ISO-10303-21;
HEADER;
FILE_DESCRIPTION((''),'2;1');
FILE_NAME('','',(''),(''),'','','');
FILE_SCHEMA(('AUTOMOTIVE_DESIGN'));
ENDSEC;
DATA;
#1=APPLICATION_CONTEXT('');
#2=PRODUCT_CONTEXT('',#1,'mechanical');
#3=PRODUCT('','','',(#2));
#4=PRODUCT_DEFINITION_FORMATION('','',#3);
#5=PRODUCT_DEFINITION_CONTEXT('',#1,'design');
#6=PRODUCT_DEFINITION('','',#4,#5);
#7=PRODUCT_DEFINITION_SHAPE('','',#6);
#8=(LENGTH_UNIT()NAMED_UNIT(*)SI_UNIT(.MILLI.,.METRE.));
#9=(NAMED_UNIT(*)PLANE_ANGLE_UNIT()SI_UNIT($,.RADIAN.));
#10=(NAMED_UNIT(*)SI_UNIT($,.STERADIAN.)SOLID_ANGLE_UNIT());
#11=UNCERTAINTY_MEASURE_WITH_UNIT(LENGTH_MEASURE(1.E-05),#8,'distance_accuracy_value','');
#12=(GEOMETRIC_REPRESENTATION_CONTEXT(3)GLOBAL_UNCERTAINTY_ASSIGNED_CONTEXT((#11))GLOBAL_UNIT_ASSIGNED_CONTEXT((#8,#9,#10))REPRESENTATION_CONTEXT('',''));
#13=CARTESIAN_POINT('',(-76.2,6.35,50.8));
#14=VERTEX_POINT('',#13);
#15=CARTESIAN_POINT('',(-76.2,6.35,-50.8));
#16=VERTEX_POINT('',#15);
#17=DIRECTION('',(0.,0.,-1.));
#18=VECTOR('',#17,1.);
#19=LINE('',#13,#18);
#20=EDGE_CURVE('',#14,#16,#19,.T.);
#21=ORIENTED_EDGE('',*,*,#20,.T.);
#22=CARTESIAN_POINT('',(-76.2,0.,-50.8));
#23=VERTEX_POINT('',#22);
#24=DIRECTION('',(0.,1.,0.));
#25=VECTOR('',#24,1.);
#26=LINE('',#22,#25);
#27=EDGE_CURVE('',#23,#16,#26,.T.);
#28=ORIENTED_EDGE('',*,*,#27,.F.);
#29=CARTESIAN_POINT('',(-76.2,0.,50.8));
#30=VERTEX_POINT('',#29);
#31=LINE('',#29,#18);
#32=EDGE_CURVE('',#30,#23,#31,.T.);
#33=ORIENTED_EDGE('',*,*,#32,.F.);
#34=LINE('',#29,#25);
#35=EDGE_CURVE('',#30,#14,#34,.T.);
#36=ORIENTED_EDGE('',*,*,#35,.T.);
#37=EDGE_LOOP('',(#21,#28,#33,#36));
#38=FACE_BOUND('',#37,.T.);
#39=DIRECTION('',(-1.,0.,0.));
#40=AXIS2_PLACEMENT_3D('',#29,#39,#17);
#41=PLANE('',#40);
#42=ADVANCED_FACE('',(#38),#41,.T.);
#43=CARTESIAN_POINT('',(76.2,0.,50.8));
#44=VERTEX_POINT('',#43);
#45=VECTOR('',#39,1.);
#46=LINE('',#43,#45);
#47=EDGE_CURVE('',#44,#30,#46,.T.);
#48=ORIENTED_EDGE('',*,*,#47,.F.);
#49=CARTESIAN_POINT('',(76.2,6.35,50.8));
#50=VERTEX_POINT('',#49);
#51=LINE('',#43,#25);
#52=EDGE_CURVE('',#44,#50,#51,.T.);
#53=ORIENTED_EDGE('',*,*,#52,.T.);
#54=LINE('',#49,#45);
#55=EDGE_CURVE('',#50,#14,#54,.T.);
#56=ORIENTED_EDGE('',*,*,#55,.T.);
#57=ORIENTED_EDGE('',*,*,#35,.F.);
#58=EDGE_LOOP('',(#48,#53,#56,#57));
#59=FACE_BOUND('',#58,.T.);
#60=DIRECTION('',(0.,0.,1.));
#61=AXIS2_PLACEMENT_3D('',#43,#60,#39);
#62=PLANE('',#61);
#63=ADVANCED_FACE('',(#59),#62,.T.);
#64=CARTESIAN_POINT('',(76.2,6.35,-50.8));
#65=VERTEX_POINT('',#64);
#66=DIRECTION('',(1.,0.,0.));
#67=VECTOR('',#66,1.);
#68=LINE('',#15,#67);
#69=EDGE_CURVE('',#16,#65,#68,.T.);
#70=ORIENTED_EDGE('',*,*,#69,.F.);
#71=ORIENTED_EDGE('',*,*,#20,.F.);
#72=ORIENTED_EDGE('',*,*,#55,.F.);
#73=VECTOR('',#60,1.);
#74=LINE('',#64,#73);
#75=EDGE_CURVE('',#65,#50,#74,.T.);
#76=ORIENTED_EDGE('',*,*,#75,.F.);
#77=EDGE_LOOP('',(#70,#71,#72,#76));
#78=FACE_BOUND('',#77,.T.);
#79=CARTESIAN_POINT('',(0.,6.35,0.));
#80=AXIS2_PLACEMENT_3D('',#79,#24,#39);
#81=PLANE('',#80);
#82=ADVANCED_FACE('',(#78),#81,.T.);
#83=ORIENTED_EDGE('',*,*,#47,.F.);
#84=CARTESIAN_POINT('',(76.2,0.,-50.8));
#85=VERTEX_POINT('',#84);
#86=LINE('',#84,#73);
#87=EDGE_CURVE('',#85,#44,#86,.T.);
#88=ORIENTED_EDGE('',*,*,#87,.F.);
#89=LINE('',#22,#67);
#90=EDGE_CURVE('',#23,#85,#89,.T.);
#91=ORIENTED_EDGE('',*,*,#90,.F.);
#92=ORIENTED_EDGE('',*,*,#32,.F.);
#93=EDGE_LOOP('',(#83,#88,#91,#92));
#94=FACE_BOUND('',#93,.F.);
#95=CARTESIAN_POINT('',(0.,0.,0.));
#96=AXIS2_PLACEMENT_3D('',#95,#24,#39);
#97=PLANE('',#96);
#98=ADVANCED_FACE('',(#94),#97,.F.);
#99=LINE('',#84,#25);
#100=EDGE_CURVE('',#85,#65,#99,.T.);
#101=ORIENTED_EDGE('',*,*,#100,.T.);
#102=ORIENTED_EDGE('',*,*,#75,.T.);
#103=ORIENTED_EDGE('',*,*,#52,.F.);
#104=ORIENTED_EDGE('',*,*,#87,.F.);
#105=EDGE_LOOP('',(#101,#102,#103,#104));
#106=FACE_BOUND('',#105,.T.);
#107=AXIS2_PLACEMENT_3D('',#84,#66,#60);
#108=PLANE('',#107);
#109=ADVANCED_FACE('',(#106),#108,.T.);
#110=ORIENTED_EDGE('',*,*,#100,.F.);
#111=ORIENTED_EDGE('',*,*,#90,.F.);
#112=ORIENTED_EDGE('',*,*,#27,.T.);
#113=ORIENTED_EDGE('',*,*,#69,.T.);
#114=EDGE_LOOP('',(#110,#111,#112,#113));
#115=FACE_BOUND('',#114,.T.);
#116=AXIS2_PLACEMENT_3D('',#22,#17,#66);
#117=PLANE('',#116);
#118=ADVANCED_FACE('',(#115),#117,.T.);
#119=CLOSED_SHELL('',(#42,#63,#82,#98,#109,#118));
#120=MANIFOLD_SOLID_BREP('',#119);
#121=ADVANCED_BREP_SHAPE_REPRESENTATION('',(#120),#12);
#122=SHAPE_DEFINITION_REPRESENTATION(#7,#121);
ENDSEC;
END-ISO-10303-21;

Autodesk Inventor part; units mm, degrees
ref_plane "YZ Plane" through (0, 0, 0) normal (1, 0, 0) x (0, 1, 0)
ref_plane "XZ Plane" through (0, 0, 0) normal (0, 1, 0) x (-1, 0, 0)
ref_plane "XY Plane" through (0, 0, 0) normal (0, 0, 1) x (1, 0, 0)
sketch "Sketch1" plane through (0, 0, 0) normal (0, 1, 0) x (-1, 0, 0)
  line L0 (-76.2, 50.8) -> (76.2, 50.8)
  line L1 (76.2, 50.8) -> (76.2, -50.8)
  line L2 (76.2, -50.8) -> (-76.2, -50.8)
  line L3 (-76.2, -50.8) -> (-76.2, 50.8)
  line L4 (-76.2, 50.8) -> (76.2, -50.8) construction
  line L5 (76.2, 50.8) -> (-76.2, -50.8) construction
  point P0 (0, 0)
  dimension "d0" = 152.4
  dimension "d1" = 101.6
extrude "Extrusion1" add sketch "Sketch1" along normal blind 6.35
equation "\"d0\" = depth"
equation "\"d1\" = height"
equation "\"d2\" = acrylicThickness"
equation "\"acrylicThickness\" = 6.35"
equation "\"depth\" = 152.4"
equation "\"mirrorThickness\" = 3.175"
equation "\"height\" = 101.6"
equation "\"width\" = 101.6"
equation "\"mirrorAngle\" = 5deg"
equation "\"detectorWidth\" = 52"
equation "\"detectorHeight\" = 52"
equation "\"fresnelThickness\" = 0.1"
equation "\"focalLength\" = 76.2"
equation "\"ior\" = 1.49"
equation "\"centerThickness\" = 1.524"
equation "\"fresnelAngle\" = 90deg"
equation "\"fresnelEffectiveDiameter\" = 76.2"
equation "\"mirrorSuppourtWidth\" = 38.1"
equation "\"backGrooveBit\" = 4.8006"
equation "\"sensorHolderSensorWidth\" = 53.975"
equation "\"sensorHolderWidth\" = 88.9"
equation "\"sensorHolderSesnorHeight\" = 53.975"
equation "\"sensorHolderHeight\" = 88.9"
equation "\"sensorHolderSensorHeight\" = 53.975"
equation "\"sensorHolderORingGroove\" = 3.175"
equation "\"sensorHolderORing\" = 3.175"
equation "\"sensorHolderFlushORingID\" = 304.8"
equation "\"sensorHolderFlushORing\" = 3.175"
equation "\"frontBackORingID\" = 419.1"
equation "\"oRingWidth\" = 3.175"
equation "\"sensorHolderORingID\" = 203.2"
equation "\"topBottomHorizontalMirrorGroove\" = 12.7"
equation "\"backMirrorGroove\" = 6.35"
equation "\"mirrorGroove\" = 19.05"
equation "\"fresnelChamfer\" = 6.35"
equation "\"mirrorGrooveFillet\" = 6.35"
equation "\"mirrorGrooveDrill\" = 6.35"
equation "\"mirrorGrooveMill\" = 3.175"
equation "\"fresnelMirrorChamfer\" = 6.35"
equation "\"detectorOpeningHeight\" = 76.2"
equation "\"detectorOpeningWidth\" = 76.2"
properties part number "sides" material "PC/ABS Plastic"
